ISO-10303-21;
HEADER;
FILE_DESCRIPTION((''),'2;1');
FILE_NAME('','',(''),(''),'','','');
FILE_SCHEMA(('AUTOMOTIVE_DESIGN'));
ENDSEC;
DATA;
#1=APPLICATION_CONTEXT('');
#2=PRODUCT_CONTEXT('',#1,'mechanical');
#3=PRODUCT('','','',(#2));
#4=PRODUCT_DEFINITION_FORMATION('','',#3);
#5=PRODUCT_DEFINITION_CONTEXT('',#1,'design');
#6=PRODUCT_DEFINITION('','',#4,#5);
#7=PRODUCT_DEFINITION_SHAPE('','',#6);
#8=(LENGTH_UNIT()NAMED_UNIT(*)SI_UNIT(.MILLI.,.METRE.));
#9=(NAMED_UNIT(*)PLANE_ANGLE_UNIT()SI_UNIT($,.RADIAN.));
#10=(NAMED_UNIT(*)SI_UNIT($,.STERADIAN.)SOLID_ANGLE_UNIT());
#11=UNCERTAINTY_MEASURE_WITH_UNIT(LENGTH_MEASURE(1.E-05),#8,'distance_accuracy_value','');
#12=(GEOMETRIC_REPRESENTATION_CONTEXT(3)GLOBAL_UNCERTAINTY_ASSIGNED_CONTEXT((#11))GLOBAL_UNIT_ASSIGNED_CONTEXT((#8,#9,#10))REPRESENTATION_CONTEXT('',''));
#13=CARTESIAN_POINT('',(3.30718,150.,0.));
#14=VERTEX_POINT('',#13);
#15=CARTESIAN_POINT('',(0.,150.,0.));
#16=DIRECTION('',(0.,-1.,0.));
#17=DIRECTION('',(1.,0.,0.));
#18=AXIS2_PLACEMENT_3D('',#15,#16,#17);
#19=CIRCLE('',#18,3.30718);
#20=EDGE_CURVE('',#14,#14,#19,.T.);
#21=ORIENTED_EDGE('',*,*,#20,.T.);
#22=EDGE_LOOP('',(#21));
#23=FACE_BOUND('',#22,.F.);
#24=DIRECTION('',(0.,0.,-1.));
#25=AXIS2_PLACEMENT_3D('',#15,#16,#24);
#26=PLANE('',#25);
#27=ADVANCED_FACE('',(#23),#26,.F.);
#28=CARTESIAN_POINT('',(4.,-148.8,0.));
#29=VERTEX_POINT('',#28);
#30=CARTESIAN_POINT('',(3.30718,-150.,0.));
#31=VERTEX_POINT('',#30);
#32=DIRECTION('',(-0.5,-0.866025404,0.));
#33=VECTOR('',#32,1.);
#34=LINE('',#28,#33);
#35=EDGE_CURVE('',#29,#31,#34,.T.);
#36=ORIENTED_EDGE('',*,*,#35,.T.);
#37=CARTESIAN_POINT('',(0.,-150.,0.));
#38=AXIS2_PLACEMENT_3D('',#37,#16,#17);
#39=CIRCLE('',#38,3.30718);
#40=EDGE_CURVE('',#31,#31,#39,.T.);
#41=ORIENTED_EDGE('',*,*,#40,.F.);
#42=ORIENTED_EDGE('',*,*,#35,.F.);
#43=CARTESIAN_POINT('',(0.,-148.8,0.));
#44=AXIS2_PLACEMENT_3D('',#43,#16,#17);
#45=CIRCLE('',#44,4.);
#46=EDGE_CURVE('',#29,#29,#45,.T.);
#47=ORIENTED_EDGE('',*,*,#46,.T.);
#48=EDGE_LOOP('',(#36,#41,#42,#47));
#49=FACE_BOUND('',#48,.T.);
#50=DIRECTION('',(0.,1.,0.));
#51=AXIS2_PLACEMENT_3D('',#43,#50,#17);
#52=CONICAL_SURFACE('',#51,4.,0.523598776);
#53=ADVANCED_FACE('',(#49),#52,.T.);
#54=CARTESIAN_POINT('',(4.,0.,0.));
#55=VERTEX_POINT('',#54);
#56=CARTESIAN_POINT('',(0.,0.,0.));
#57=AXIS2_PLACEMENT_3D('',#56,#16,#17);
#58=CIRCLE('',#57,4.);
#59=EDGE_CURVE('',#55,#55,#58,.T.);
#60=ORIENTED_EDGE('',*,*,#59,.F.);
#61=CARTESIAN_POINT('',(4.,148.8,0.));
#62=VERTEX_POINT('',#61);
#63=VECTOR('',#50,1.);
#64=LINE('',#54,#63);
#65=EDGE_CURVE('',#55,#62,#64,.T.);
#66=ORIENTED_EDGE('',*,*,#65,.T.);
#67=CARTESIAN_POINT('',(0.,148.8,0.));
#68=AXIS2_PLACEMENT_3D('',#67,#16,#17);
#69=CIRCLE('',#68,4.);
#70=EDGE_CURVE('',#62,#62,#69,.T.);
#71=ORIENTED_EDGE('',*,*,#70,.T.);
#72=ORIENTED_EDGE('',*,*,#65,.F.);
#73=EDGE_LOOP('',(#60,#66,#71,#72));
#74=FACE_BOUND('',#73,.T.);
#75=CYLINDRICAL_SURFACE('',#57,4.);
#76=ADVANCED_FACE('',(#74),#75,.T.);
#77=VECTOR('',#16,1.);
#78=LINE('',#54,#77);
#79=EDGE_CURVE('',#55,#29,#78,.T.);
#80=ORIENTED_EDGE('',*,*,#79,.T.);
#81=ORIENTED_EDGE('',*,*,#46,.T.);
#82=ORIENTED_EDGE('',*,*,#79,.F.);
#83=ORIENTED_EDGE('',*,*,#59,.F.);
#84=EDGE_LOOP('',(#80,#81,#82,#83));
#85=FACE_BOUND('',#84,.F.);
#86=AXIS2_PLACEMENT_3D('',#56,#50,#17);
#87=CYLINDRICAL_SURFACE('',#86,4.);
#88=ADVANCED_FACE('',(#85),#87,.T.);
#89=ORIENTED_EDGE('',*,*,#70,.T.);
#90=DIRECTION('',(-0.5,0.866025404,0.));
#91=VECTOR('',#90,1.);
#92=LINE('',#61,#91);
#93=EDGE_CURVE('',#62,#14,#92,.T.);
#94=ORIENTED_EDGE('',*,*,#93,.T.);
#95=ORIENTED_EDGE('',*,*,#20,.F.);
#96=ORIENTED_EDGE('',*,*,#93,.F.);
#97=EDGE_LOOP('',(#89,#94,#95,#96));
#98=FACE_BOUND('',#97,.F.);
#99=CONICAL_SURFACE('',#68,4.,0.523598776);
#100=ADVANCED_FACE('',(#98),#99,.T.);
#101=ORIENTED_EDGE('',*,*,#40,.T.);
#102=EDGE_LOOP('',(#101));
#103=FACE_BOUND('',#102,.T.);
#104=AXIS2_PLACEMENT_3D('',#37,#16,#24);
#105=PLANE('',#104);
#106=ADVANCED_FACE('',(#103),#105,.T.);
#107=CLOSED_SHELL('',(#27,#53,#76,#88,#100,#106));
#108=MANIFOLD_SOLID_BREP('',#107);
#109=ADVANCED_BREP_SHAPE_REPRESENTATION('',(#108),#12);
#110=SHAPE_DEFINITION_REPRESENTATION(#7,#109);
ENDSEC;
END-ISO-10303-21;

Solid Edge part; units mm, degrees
sketch "Sketch1" plane through (0, 0, 0) normal (0, -1, 0) x (1, 0, 0)
  circle A0 centre (0, 0) radius 4
  dimension "D1" = 8
extrude "Protrusion1" add sketch "Sketch1" along normal mid plane 300
chamfer "Chamfer_1" distance 1.2 angle 30 2 edges at (-4, -150, 0) (-4, 150, 0) measured on face at (2.2136, -123.5, 3.3317) measured on face at (2.2136, 123.5, 3.3317)
properties material "Stainless steel"
